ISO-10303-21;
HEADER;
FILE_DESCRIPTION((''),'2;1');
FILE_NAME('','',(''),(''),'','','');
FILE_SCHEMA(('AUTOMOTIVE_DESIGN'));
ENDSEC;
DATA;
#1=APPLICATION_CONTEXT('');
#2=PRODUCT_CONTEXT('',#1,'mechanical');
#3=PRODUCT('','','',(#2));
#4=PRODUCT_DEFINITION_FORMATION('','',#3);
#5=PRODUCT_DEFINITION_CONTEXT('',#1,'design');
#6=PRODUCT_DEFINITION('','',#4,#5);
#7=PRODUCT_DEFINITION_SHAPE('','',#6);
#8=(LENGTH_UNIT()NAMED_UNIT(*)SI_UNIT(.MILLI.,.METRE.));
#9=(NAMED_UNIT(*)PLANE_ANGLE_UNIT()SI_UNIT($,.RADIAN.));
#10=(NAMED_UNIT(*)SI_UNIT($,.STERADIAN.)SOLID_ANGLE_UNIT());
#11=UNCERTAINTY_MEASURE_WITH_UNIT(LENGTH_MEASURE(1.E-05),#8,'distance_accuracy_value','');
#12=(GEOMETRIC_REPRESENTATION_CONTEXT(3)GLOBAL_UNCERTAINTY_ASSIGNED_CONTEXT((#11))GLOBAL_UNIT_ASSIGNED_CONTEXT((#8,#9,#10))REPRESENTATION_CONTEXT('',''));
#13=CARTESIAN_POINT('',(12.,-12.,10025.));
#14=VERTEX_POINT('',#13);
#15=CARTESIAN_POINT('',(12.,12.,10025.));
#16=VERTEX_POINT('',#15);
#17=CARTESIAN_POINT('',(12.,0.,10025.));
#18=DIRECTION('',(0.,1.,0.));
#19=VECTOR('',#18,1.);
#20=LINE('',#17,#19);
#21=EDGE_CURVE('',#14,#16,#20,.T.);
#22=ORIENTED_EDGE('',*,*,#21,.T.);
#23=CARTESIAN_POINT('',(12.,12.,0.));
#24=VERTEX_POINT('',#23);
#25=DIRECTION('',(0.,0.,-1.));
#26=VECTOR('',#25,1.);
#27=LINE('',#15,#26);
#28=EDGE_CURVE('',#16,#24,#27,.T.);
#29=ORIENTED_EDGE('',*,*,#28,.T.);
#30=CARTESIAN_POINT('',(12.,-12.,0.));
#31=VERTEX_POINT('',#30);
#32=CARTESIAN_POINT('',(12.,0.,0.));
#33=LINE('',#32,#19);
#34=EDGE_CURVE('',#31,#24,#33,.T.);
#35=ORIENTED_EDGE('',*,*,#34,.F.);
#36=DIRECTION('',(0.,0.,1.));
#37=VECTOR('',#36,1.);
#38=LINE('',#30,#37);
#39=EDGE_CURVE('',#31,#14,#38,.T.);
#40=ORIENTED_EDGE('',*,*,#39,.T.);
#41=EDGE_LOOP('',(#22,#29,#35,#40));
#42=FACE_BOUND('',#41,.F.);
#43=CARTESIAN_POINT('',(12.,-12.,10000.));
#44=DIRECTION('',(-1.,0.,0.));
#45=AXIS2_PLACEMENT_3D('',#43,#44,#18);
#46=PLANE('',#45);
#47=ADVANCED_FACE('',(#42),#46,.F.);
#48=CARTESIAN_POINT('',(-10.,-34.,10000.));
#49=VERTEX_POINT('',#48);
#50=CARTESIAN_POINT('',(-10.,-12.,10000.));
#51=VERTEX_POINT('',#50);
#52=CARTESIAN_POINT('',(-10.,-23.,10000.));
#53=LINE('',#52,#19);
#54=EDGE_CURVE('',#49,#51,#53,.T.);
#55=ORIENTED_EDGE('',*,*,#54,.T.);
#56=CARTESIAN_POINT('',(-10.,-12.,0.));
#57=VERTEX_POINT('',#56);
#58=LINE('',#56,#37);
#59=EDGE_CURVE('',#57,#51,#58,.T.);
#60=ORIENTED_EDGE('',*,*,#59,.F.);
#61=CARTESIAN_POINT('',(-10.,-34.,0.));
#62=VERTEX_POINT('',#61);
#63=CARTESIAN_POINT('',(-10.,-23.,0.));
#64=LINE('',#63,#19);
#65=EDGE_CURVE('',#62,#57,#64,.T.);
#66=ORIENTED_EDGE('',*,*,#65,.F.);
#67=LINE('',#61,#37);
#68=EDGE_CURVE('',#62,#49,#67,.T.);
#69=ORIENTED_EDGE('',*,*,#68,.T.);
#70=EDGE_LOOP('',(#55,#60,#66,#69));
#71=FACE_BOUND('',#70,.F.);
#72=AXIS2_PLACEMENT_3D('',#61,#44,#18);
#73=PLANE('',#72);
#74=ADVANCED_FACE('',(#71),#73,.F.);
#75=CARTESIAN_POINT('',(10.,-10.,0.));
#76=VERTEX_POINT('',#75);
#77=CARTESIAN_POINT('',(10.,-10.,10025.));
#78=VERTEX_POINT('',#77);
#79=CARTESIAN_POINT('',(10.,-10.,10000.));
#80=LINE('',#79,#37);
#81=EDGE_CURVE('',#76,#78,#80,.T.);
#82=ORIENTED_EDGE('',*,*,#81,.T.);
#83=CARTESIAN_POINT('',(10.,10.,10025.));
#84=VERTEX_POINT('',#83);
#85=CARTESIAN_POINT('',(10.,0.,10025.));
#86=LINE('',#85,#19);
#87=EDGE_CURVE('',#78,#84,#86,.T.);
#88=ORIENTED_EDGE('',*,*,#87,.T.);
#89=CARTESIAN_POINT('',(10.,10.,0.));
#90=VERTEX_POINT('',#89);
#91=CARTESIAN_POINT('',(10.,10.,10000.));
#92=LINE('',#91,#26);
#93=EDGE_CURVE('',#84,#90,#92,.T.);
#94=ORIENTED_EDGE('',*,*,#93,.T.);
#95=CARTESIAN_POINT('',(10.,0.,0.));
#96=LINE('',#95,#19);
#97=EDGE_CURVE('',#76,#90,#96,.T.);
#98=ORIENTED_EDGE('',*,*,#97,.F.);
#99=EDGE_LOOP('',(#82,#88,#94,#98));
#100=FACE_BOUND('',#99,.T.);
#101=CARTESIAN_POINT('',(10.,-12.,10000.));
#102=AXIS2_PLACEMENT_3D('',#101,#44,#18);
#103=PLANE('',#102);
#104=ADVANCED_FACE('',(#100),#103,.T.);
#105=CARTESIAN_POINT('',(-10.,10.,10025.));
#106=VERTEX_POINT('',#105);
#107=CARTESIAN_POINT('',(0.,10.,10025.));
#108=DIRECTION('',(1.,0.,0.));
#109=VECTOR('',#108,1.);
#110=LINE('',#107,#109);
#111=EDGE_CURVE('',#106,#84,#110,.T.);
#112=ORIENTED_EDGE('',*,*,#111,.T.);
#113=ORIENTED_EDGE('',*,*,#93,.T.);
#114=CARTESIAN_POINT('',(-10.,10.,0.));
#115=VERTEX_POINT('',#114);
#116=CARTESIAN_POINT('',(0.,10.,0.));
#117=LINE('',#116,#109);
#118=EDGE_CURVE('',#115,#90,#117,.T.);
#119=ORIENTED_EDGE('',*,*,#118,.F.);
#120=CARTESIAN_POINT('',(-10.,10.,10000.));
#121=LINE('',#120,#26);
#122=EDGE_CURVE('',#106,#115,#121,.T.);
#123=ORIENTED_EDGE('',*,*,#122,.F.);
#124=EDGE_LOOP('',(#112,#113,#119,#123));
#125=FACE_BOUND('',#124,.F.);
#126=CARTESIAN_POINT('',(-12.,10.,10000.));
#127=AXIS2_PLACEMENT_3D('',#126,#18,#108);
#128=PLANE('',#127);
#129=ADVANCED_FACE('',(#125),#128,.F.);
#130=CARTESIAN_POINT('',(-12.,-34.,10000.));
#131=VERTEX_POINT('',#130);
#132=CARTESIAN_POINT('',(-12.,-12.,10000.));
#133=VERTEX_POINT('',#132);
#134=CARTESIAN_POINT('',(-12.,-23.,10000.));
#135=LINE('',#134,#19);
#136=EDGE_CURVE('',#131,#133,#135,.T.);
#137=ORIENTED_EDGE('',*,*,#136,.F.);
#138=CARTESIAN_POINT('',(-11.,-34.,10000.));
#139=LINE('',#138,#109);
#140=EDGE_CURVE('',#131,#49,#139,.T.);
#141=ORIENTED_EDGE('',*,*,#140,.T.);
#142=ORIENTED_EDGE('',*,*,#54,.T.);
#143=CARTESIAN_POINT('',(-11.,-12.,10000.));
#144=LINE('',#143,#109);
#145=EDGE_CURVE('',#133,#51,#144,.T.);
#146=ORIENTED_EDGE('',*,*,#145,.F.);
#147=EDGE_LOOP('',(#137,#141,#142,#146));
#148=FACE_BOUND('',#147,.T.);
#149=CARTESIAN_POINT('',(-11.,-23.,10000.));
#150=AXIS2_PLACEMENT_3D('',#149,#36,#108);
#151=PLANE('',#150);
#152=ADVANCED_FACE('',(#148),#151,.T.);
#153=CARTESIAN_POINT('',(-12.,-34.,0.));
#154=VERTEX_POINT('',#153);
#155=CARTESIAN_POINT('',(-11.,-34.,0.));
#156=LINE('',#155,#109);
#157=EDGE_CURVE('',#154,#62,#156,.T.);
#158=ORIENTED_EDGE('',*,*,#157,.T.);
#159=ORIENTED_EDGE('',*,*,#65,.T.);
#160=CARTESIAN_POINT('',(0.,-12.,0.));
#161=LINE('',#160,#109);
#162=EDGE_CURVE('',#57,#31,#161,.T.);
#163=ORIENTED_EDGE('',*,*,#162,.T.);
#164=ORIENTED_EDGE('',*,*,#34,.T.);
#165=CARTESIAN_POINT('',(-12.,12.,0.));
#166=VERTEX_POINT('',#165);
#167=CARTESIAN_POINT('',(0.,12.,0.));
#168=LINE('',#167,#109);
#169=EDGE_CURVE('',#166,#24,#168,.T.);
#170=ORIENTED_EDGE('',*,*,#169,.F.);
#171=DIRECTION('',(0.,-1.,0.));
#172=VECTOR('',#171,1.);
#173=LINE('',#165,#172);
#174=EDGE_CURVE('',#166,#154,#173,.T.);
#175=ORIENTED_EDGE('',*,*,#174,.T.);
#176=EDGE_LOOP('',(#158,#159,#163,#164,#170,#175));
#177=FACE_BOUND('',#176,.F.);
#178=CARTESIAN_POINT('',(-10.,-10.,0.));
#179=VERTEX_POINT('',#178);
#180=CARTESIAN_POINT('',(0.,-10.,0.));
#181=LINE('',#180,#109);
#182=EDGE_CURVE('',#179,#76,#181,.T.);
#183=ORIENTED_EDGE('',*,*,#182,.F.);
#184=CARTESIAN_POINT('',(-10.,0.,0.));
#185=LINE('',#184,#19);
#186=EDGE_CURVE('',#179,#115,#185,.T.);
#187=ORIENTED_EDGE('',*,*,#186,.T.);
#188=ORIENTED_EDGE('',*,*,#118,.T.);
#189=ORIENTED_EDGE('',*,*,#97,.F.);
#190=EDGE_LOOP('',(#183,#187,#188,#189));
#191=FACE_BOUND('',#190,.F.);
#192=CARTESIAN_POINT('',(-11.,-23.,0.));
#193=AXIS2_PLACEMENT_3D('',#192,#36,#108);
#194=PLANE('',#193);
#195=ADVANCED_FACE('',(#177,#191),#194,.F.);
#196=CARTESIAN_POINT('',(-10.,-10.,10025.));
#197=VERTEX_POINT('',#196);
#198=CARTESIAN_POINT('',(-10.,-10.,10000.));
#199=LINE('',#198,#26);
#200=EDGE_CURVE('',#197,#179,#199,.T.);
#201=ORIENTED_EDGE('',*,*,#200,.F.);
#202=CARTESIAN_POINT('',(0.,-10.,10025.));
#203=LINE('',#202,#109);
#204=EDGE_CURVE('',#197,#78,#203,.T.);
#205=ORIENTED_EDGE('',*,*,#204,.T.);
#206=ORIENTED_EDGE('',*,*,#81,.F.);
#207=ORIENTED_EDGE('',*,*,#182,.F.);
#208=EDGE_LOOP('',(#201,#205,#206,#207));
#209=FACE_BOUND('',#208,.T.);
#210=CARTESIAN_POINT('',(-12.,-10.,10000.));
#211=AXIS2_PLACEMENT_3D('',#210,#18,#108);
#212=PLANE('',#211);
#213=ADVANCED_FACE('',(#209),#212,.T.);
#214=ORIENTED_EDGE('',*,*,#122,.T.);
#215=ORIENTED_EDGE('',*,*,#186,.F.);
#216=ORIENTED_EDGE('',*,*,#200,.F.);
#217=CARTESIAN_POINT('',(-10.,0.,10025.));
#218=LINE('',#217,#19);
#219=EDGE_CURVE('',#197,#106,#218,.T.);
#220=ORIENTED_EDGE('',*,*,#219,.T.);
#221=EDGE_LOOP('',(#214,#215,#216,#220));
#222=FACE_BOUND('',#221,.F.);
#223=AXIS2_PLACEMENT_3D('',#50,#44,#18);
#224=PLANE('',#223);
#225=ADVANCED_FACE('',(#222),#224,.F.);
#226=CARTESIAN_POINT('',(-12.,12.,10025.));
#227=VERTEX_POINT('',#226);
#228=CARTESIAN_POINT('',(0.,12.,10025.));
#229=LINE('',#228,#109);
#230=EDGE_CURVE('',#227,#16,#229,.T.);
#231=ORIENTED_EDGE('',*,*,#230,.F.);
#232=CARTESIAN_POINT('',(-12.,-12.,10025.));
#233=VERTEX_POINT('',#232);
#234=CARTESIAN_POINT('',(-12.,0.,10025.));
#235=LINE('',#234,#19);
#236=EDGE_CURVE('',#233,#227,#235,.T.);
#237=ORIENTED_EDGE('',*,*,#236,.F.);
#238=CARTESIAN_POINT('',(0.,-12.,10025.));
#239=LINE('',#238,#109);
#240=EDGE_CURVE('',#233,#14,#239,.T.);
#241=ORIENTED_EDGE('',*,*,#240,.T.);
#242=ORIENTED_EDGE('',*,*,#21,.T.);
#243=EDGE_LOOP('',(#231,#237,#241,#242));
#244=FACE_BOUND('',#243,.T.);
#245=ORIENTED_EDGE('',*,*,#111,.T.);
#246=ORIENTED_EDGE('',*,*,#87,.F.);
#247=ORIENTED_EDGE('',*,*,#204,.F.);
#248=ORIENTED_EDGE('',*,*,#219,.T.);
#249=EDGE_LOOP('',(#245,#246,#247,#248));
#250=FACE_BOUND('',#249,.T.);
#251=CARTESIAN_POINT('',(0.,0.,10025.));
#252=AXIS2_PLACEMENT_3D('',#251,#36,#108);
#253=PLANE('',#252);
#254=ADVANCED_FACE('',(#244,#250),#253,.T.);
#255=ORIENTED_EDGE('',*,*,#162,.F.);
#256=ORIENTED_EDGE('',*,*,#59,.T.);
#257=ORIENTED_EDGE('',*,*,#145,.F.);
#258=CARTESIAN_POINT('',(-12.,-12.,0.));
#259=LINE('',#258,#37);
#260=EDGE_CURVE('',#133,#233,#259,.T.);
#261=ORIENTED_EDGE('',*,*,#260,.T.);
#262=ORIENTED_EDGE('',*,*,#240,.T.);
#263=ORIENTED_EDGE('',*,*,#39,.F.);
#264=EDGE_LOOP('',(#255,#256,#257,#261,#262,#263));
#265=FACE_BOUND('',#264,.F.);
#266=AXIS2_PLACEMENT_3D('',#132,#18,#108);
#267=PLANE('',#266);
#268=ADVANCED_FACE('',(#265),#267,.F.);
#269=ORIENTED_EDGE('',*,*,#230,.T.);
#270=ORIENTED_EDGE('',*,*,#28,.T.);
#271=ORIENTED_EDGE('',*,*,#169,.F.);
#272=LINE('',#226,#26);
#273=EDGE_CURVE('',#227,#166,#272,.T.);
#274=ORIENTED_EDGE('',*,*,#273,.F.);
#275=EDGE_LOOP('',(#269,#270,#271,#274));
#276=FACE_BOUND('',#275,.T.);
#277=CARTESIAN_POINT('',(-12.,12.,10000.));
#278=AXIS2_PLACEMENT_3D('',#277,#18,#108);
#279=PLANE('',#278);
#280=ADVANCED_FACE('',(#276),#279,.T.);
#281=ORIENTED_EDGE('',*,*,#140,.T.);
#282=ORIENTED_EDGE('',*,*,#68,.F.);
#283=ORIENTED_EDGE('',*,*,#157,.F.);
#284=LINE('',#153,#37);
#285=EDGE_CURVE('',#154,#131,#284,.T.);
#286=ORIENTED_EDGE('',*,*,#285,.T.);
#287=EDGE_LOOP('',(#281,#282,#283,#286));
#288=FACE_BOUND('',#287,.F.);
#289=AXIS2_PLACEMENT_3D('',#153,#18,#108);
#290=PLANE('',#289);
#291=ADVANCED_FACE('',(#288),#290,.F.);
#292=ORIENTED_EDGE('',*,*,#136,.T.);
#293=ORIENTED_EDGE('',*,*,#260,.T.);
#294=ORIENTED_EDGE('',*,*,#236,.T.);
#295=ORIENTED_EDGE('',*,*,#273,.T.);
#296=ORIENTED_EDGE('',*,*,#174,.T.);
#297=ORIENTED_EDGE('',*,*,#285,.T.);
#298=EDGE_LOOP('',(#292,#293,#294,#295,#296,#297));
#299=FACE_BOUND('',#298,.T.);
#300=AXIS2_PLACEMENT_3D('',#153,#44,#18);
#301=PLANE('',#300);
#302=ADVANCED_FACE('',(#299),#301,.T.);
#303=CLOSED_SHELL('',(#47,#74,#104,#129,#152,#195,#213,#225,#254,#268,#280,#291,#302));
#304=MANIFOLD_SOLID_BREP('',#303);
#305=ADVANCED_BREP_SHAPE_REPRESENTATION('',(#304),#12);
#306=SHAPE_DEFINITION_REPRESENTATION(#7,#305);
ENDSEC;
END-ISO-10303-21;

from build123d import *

# Parameters (mm, degrees)
F0_W     = 24
F0_H     = 24
F1_DEPTH = 10000
F2_DEPTH = 25
F3_T     = -2
F4_W     = 2
F4_H     = 22
F5_DEPTH = 10000


with BuildPart() as f1:
    # F0 (on Top) → F1 (new body)
    with BuildSketch(Plane.XY):
        Rectangle(F0_W, F0_H)
    extrude(amount=F1_DEPTH)

    # F2 (add): a face of the model
    f2_faces = [f1.faces().sort_by_distance(p)[0] for p in [
        (0, 0, 10000),
    ]]
    extrude(f2_faces, amount=F2_DEPTH)

    # F3
    f3_openings = [f1.faces().sort_by_distance(p)[0] for p in [
        (0, 0, 10025),
        (0, 0, 0),
    ]]
    offset(amount=F3_T, openings=f3_openings)

    # F4 (on Top) → F5 (join)
    with BuildSketch(Plane.XY):
        with Locations((-11, -23)):
            Rectangle(F4_W, F4_H)
    extrude(amount=F5_DEPTH)


solid = f1.part
